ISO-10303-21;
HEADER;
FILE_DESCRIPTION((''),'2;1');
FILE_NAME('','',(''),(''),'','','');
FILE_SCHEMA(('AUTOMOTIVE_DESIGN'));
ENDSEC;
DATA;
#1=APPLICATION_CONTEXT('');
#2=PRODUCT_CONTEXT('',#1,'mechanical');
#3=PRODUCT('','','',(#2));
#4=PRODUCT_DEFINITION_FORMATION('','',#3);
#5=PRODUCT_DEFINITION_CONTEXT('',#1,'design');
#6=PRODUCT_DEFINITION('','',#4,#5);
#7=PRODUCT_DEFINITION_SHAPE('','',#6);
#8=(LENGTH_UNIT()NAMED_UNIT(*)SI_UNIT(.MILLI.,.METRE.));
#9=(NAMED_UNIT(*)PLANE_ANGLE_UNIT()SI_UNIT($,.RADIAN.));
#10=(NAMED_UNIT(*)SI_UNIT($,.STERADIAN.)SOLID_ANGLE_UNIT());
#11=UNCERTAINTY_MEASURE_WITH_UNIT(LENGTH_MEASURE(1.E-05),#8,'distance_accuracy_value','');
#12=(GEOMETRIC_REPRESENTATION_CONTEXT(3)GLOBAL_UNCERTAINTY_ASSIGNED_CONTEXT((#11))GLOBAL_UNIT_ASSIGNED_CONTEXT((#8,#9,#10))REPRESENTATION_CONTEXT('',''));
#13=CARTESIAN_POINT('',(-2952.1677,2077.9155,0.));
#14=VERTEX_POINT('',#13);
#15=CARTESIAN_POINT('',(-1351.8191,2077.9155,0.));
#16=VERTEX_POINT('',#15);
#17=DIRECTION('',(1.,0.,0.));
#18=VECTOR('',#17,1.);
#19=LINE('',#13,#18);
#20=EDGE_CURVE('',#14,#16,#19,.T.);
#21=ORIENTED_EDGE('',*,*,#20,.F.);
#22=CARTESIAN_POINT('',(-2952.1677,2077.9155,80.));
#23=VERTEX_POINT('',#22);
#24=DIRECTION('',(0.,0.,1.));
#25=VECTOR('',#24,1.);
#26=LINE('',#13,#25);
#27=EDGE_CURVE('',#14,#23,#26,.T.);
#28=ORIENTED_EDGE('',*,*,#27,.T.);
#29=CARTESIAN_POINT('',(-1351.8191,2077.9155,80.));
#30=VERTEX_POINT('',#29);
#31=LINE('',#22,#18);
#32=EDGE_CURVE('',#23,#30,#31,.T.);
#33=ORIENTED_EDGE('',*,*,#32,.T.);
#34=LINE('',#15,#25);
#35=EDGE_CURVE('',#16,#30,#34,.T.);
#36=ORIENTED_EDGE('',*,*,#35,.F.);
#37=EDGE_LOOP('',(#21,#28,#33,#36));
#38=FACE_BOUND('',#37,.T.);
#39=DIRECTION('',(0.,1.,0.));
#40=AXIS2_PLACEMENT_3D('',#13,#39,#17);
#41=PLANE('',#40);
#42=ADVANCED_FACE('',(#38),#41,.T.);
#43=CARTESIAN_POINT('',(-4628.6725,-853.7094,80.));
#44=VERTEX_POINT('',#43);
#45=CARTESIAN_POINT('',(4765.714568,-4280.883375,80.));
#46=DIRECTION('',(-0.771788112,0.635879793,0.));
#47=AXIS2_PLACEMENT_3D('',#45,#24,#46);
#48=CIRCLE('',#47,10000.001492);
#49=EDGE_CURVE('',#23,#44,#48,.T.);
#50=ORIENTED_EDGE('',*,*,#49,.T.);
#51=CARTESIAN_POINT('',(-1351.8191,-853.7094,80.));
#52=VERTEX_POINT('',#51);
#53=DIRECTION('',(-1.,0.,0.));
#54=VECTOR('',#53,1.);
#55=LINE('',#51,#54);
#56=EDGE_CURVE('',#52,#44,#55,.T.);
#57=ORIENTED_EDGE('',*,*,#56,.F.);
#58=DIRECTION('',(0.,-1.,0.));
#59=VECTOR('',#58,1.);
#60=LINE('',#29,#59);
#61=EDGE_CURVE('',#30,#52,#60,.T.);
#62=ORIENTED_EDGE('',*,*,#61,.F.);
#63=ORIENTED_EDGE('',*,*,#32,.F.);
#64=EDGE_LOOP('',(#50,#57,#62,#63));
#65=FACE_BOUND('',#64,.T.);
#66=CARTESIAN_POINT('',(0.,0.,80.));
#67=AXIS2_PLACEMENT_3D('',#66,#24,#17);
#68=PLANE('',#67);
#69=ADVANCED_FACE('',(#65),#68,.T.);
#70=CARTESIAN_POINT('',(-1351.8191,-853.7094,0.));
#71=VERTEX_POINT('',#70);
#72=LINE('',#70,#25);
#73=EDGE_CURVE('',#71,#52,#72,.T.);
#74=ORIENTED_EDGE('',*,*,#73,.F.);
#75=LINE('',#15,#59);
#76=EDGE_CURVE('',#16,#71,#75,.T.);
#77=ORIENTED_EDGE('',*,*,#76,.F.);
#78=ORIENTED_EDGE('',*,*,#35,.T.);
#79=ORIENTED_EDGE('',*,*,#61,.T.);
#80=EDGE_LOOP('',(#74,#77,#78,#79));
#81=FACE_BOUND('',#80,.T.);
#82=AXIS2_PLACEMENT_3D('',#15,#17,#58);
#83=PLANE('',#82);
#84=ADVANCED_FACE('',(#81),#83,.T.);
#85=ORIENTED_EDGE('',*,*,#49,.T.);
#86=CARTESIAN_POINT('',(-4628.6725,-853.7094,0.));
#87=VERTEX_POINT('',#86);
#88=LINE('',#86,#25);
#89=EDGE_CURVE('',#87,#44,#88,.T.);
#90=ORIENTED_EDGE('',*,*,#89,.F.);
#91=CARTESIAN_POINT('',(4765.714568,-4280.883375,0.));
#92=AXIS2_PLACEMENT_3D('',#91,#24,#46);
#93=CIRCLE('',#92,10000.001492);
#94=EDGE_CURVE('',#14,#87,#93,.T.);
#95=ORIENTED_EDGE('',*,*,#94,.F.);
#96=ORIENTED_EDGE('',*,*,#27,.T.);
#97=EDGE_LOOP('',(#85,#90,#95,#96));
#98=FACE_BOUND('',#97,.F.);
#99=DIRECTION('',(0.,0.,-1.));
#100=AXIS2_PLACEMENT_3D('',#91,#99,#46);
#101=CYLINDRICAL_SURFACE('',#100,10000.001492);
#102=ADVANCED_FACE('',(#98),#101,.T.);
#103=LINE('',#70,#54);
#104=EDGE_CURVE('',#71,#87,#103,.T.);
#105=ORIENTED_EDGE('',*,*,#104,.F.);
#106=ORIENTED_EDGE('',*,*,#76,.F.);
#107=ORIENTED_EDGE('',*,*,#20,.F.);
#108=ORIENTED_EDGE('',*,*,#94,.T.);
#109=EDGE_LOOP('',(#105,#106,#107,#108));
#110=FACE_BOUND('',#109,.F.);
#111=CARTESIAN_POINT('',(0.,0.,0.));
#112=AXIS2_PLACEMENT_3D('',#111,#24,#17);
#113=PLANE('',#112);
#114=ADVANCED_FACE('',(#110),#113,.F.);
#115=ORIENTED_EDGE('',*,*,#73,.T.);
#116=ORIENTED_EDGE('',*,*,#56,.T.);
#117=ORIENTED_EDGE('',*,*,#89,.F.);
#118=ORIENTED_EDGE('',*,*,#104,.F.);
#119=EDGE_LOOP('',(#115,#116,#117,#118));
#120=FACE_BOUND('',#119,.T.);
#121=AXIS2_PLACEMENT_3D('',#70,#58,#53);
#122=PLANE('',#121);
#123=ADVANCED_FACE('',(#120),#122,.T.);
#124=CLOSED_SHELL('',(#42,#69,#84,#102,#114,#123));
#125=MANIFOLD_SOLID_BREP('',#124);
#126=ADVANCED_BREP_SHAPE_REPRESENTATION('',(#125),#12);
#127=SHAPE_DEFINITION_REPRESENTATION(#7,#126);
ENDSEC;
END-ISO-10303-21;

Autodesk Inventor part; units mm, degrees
ref_plane "YZ Plane" through (0, 0, 0) normal (1, 0, 0) x (0, 1, 0)
ref_plane "XZ Plane" through (0, 0, 0) normal (0, 1, 0) x (-1, 0, 0)
ref_plane "XY Plane" through (0, 0, 0) normal (0, 0, 1) x (1, 0, 0)
sketch "Sketch1" plane through (0, 0, 0) normal (0, 0, 1) x (1, 0, 0)
  line L0 (-2952.1677, 2077.9155) -> (-1351.8191, 2077.9155)
  arc A0 (-2952.1677, 2077.9155) -> (-4628.6725, -853.7094) centre (4765.7133, -4280.8825) ccw
  line L1 (-1351.8191, 2077.9155) -> (-1351.8191, -853.7094)
  line L2 (-1351.8191, -853.7094) -> (-4628.6725, -853.7094)
extrude "Extrusion1" add sketch "Sketch1" along normal blind 80
properties part number "front_wall_block02" material "Wood (Maple)"
